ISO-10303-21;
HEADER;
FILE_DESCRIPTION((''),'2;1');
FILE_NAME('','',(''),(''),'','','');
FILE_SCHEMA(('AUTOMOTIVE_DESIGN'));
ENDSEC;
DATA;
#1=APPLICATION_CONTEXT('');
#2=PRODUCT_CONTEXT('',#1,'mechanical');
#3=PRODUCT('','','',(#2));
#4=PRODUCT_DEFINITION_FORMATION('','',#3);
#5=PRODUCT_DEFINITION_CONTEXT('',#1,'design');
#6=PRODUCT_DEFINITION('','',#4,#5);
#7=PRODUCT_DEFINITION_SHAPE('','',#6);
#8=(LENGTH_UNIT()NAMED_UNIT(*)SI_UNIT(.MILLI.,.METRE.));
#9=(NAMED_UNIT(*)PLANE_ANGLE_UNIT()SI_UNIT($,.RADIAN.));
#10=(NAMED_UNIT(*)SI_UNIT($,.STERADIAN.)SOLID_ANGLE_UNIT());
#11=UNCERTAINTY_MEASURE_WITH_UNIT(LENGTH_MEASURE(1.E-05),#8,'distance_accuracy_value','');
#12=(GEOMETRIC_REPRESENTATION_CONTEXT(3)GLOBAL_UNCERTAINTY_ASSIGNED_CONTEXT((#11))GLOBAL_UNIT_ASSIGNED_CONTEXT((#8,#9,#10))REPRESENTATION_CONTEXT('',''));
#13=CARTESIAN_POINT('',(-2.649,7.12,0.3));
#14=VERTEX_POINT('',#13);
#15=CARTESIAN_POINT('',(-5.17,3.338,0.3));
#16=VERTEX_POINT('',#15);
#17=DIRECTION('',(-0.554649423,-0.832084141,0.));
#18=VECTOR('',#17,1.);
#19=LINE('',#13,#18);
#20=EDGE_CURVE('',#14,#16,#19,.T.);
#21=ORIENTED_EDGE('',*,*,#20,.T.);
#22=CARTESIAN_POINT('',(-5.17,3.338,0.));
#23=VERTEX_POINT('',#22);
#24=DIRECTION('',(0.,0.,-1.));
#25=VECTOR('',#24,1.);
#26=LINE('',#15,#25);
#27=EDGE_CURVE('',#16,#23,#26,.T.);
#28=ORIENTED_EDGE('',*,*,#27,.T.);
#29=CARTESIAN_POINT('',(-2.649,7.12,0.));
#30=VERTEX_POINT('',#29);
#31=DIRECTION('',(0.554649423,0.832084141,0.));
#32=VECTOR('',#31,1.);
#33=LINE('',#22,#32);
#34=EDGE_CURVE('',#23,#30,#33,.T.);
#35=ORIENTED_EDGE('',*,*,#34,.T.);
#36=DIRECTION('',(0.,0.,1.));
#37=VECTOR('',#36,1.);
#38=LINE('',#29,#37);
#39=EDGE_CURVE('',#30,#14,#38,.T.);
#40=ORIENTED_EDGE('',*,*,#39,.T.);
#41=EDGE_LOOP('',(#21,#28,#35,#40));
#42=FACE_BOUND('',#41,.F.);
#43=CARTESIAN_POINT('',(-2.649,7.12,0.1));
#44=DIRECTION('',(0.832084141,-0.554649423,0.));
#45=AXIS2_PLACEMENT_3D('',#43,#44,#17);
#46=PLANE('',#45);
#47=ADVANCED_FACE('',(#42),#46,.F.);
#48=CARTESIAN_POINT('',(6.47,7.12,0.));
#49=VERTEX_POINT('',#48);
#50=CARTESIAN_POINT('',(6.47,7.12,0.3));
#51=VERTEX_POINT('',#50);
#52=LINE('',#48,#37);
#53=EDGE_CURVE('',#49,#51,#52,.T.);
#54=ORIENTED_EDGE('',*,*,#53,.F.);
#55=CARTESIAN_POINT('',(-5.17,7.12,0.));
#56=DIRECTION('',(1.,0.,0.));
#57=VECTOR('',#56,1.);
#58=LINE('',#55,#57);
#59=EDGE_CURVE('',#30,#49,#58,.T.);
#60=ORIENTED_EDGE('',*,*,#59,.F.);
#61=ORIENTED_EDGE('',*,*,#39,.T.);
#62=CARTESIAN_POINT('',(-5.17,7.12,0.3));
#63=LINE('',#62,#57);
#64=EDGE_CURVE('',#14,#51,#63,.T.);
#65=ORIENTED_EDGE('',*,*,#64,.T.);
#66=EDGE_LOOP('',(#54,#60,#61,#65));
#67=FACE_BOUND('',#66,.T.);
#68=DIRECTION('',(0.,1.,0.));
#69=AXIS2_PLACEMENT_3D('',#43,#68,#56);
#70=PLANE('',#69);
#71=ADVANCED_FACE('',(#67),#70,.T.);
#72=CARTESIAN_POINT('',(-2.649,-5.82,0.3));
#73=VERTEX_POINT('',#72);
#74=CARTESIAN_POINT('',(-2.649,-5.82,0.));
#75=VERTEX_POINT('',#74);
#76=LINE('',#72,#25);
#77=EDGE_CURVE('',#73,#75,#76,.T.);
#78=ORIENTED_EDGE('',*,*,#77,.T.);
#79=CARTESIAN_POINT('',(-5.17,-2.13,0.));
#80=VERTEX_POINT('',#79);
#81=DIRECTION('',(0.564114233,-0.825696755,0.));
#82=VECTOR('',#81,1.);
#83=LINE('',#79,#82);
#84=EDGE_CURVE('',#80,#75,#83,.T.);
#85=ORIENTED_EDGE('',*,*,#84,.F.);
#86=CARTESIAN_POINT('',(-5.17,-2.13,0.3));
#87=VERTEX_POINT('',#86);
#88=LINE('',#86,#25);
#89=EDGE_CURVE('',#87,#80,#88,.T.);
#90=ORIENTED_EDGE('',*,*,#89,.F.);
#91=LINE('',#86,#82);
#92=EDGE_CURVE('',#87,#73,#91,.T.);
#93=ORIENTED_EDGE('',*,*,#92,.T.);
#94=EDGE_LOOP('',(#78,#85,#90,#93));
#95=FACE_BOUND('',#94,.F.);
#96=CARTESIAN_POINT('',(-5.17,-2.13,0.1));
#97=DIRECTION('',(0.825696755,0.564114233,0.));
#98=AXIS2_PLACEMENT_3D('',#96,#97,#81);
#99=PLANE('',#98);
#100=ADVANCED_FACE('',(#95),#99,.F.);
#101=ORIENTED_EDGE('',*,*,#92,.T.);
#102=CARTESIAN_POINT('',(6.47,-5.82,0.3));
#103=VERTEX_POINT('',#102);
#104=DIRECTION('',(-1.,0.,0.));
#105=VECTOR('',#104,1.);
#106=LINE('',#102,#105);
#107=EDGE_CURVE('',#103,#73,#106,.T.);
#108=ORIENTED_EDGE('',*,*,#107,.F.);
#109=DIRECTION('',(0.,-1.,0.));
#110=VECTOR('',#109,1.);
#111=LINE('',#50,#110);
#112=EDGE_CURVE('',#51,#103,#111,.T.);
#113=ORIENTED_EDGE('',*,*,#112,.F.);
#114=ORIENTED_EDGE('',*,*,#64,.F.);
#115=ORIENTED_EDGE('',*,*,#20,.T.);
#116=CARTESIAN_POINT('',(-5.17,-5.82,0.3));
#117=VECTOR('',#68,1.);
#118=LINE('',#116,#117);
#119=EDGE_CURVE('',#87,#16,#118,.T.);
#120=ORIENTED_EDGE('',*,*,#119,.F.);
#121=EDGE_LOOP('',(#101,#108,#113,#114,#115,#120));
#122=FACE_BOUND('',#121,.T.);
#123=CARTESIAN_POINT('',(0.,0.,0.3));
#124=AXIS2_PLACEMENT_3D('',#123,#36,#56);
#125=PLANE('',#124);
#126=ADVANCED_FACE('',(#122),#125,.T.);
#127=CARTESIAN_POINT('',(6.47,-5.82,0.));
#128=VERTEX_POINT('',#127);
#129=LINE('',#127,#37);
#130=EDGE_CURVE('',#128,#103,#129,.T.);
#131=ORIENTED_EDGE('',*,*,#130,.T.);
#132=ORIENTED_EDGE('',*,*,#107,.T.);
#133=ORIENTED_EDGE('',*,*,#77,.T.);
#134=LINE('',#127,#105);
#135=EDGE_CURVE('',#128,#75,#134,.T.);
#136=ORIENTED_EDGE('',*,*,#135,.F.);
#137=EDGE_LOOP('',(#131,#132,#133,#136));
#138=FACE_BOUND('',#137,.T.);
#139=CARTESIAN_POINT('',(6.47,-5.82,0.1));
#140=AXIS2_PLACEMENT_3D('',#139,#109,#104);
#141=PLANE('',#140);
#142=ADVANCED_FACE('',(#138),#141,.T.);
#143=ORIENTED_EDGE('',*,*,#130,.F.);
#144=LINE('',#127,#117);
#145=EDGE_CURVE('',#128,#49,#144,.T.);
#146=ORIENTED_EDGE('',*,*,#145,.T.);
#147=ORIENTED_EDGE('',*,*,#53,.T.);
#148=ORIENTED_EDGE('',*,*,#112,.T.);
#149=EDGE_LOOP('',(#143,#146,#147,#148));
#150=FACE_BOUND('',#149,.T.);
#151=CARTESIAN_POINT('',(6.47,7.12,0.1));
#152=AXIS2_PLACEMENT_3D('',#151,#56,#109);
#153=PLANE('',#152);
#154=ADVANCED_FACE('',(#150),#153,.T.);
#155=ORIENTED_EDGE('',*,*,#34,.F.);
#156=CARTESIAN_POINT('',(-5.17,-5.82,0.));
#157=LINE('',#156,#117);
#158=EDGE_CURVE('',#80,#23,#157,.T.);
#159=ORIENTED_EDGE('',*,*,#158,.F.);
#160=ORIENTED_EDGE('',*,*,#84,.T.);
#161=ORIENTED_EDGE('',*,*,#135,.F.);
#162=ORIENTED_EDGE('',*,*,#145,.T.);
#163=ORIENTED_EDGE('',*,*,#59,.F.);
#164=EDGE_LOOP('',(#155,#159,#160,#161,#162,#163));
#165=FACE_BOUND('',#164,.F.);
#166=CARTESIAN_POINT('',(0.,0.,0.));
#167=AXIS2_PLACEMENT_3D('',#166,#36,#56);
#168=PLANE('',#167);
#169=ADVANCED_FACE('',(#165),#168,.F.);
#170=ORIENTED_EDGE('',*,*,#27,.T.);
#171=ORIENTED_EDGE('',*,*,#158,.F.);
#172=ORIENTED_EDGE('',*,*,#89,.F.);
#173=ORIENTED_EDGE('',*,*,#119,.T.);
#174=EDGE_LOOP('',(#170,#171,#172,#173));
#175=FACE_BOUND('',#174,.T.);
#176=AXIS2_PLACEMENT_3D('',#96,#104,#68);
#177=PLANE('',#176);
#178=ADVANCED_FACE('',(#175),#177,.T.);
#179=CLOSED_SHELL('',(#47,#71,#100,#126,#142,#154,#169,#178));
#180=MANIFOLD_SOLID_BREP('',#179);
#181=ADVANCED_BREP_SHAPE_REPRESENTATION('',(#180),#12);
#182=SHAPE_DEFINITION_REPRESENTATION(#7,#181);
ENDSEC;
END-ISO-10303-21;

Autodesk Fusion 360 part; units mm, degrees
sketch "Sketch1" plane through (0, 0, 0) normal (0, 0, 1) x (1, 0, 0)
  line L0 (6.47, -5.82) -> (-6.47, -5.82)
  line L1 (-6.47, -5.82) -> (-6.47, 5.82)
  line L2 (-6.47, 5.82) -> (6.47, 5.82)
  line L3 (6.47, 5.82) -> (6.47, -5.82)
  line L4 (6.47, -5.82) -> (-6.47, 5.82) construction
  line L5 (-6.47, -5.82) -> (6.47, 5.82) construction
  line L6 (6.47, -5.82) -> (-6.47, -5.82)
  line L7 (-6.47, -5.82) -> (-6.47, 3.338)
  line L8 (-6.47, 3.338) -> (6.47, 3.338)
  line L9 (6.47, 3.338) -> (6.47, -5.82)
  line L10 (6.47, 3.338) -> (-6.47, 3.338)
  line L11 (-6.47, 3.338) -> (-6.47, -2.13)
  line L12 (-6.47, -2.13) -> (6.47, -2.13)
  line L13 (6.47, -2.13) -> (6.47, 3.338)
  line L14 (6.47, -5.82) -> (-2.649, -5.82)
  line L15 (-2.649, -5.82) -> (-2.649, 5.82)
  line L16 (-2.649, 5.82) -> (6.47, 5.82)
  line L17 (6.47, 5.82) -> (6.47, -5.82)
  line L18 (-2.649, -5.82) -> (-5.17, -5.82)
  line L19 (-5.17, -5.82) -> (-5.17, -2.13)
  line L20 (-5.17, -2.13) -> (-2.649, -2.13)
  line L21 (-2.649, -2.13) -> (-2.649, -5.82)
  line L22 (-2.649, 3.338) -> (-5.17, 3.338)
  line L23 (-5.17, 3.338) -> (-5.17, 5.82)
  line L24 (-5.17, 5.82) -> (-2.649, 5.82)
  line L25 (-2.649, 5.82) -> (-2.649, 3.338)
  line L26 (6.47, -5.82) -> (-5.17, -5.82)
  line L27 (-5.17, -5.82) -> (-5.17, 7.12)
  line L28 (-5.17, 7.12) -> (6.47, 7.12)
  line L29 (6.47, 7.12) -> (6.47, -5.82)
  line L30 (-2.649, 5.82) -> (-2.649, 7.12)
  line L31 (-2.649, 7.12) -> (-5.17, 3.338)
  line L32 (-5.17, -2.13) -> (-2.649, -5.82)
  dimension "d1" = 12.94
  dimension "d2" = 11.64
  dimension "d3" = 9.158
  dimension "d4" = 5.468
  dimension "d5" = 9.119
  dimension "d6" = 2.521
  dimension "d7" = 2.521
  dimension "d8" = 12.94
extrude "Extrude1" add sketch "Sketch1" along normal blind 0.1 contours L0 L3 L6 L9 L12 L14 L15 L17 L21 L26 L29 | L12 L15 L20 L21 L32 | L3 L8 L9 L10 L12 L13 L15 L17 L29 | L8 L10 L12 L15 L20 L22 L27 | L2 L3 L8 L10 L15 L16 L17 L25 L29 | L2 L8 L10 L15 L22 L24 L25 L31 | L2 L16 L28 L29 L30 | L2 L24 L30 L31
extrude "Extrude2" add 1 faces at (2.59, 1.546, 0.1) along direction (0, 0, 1) blind 0.2
